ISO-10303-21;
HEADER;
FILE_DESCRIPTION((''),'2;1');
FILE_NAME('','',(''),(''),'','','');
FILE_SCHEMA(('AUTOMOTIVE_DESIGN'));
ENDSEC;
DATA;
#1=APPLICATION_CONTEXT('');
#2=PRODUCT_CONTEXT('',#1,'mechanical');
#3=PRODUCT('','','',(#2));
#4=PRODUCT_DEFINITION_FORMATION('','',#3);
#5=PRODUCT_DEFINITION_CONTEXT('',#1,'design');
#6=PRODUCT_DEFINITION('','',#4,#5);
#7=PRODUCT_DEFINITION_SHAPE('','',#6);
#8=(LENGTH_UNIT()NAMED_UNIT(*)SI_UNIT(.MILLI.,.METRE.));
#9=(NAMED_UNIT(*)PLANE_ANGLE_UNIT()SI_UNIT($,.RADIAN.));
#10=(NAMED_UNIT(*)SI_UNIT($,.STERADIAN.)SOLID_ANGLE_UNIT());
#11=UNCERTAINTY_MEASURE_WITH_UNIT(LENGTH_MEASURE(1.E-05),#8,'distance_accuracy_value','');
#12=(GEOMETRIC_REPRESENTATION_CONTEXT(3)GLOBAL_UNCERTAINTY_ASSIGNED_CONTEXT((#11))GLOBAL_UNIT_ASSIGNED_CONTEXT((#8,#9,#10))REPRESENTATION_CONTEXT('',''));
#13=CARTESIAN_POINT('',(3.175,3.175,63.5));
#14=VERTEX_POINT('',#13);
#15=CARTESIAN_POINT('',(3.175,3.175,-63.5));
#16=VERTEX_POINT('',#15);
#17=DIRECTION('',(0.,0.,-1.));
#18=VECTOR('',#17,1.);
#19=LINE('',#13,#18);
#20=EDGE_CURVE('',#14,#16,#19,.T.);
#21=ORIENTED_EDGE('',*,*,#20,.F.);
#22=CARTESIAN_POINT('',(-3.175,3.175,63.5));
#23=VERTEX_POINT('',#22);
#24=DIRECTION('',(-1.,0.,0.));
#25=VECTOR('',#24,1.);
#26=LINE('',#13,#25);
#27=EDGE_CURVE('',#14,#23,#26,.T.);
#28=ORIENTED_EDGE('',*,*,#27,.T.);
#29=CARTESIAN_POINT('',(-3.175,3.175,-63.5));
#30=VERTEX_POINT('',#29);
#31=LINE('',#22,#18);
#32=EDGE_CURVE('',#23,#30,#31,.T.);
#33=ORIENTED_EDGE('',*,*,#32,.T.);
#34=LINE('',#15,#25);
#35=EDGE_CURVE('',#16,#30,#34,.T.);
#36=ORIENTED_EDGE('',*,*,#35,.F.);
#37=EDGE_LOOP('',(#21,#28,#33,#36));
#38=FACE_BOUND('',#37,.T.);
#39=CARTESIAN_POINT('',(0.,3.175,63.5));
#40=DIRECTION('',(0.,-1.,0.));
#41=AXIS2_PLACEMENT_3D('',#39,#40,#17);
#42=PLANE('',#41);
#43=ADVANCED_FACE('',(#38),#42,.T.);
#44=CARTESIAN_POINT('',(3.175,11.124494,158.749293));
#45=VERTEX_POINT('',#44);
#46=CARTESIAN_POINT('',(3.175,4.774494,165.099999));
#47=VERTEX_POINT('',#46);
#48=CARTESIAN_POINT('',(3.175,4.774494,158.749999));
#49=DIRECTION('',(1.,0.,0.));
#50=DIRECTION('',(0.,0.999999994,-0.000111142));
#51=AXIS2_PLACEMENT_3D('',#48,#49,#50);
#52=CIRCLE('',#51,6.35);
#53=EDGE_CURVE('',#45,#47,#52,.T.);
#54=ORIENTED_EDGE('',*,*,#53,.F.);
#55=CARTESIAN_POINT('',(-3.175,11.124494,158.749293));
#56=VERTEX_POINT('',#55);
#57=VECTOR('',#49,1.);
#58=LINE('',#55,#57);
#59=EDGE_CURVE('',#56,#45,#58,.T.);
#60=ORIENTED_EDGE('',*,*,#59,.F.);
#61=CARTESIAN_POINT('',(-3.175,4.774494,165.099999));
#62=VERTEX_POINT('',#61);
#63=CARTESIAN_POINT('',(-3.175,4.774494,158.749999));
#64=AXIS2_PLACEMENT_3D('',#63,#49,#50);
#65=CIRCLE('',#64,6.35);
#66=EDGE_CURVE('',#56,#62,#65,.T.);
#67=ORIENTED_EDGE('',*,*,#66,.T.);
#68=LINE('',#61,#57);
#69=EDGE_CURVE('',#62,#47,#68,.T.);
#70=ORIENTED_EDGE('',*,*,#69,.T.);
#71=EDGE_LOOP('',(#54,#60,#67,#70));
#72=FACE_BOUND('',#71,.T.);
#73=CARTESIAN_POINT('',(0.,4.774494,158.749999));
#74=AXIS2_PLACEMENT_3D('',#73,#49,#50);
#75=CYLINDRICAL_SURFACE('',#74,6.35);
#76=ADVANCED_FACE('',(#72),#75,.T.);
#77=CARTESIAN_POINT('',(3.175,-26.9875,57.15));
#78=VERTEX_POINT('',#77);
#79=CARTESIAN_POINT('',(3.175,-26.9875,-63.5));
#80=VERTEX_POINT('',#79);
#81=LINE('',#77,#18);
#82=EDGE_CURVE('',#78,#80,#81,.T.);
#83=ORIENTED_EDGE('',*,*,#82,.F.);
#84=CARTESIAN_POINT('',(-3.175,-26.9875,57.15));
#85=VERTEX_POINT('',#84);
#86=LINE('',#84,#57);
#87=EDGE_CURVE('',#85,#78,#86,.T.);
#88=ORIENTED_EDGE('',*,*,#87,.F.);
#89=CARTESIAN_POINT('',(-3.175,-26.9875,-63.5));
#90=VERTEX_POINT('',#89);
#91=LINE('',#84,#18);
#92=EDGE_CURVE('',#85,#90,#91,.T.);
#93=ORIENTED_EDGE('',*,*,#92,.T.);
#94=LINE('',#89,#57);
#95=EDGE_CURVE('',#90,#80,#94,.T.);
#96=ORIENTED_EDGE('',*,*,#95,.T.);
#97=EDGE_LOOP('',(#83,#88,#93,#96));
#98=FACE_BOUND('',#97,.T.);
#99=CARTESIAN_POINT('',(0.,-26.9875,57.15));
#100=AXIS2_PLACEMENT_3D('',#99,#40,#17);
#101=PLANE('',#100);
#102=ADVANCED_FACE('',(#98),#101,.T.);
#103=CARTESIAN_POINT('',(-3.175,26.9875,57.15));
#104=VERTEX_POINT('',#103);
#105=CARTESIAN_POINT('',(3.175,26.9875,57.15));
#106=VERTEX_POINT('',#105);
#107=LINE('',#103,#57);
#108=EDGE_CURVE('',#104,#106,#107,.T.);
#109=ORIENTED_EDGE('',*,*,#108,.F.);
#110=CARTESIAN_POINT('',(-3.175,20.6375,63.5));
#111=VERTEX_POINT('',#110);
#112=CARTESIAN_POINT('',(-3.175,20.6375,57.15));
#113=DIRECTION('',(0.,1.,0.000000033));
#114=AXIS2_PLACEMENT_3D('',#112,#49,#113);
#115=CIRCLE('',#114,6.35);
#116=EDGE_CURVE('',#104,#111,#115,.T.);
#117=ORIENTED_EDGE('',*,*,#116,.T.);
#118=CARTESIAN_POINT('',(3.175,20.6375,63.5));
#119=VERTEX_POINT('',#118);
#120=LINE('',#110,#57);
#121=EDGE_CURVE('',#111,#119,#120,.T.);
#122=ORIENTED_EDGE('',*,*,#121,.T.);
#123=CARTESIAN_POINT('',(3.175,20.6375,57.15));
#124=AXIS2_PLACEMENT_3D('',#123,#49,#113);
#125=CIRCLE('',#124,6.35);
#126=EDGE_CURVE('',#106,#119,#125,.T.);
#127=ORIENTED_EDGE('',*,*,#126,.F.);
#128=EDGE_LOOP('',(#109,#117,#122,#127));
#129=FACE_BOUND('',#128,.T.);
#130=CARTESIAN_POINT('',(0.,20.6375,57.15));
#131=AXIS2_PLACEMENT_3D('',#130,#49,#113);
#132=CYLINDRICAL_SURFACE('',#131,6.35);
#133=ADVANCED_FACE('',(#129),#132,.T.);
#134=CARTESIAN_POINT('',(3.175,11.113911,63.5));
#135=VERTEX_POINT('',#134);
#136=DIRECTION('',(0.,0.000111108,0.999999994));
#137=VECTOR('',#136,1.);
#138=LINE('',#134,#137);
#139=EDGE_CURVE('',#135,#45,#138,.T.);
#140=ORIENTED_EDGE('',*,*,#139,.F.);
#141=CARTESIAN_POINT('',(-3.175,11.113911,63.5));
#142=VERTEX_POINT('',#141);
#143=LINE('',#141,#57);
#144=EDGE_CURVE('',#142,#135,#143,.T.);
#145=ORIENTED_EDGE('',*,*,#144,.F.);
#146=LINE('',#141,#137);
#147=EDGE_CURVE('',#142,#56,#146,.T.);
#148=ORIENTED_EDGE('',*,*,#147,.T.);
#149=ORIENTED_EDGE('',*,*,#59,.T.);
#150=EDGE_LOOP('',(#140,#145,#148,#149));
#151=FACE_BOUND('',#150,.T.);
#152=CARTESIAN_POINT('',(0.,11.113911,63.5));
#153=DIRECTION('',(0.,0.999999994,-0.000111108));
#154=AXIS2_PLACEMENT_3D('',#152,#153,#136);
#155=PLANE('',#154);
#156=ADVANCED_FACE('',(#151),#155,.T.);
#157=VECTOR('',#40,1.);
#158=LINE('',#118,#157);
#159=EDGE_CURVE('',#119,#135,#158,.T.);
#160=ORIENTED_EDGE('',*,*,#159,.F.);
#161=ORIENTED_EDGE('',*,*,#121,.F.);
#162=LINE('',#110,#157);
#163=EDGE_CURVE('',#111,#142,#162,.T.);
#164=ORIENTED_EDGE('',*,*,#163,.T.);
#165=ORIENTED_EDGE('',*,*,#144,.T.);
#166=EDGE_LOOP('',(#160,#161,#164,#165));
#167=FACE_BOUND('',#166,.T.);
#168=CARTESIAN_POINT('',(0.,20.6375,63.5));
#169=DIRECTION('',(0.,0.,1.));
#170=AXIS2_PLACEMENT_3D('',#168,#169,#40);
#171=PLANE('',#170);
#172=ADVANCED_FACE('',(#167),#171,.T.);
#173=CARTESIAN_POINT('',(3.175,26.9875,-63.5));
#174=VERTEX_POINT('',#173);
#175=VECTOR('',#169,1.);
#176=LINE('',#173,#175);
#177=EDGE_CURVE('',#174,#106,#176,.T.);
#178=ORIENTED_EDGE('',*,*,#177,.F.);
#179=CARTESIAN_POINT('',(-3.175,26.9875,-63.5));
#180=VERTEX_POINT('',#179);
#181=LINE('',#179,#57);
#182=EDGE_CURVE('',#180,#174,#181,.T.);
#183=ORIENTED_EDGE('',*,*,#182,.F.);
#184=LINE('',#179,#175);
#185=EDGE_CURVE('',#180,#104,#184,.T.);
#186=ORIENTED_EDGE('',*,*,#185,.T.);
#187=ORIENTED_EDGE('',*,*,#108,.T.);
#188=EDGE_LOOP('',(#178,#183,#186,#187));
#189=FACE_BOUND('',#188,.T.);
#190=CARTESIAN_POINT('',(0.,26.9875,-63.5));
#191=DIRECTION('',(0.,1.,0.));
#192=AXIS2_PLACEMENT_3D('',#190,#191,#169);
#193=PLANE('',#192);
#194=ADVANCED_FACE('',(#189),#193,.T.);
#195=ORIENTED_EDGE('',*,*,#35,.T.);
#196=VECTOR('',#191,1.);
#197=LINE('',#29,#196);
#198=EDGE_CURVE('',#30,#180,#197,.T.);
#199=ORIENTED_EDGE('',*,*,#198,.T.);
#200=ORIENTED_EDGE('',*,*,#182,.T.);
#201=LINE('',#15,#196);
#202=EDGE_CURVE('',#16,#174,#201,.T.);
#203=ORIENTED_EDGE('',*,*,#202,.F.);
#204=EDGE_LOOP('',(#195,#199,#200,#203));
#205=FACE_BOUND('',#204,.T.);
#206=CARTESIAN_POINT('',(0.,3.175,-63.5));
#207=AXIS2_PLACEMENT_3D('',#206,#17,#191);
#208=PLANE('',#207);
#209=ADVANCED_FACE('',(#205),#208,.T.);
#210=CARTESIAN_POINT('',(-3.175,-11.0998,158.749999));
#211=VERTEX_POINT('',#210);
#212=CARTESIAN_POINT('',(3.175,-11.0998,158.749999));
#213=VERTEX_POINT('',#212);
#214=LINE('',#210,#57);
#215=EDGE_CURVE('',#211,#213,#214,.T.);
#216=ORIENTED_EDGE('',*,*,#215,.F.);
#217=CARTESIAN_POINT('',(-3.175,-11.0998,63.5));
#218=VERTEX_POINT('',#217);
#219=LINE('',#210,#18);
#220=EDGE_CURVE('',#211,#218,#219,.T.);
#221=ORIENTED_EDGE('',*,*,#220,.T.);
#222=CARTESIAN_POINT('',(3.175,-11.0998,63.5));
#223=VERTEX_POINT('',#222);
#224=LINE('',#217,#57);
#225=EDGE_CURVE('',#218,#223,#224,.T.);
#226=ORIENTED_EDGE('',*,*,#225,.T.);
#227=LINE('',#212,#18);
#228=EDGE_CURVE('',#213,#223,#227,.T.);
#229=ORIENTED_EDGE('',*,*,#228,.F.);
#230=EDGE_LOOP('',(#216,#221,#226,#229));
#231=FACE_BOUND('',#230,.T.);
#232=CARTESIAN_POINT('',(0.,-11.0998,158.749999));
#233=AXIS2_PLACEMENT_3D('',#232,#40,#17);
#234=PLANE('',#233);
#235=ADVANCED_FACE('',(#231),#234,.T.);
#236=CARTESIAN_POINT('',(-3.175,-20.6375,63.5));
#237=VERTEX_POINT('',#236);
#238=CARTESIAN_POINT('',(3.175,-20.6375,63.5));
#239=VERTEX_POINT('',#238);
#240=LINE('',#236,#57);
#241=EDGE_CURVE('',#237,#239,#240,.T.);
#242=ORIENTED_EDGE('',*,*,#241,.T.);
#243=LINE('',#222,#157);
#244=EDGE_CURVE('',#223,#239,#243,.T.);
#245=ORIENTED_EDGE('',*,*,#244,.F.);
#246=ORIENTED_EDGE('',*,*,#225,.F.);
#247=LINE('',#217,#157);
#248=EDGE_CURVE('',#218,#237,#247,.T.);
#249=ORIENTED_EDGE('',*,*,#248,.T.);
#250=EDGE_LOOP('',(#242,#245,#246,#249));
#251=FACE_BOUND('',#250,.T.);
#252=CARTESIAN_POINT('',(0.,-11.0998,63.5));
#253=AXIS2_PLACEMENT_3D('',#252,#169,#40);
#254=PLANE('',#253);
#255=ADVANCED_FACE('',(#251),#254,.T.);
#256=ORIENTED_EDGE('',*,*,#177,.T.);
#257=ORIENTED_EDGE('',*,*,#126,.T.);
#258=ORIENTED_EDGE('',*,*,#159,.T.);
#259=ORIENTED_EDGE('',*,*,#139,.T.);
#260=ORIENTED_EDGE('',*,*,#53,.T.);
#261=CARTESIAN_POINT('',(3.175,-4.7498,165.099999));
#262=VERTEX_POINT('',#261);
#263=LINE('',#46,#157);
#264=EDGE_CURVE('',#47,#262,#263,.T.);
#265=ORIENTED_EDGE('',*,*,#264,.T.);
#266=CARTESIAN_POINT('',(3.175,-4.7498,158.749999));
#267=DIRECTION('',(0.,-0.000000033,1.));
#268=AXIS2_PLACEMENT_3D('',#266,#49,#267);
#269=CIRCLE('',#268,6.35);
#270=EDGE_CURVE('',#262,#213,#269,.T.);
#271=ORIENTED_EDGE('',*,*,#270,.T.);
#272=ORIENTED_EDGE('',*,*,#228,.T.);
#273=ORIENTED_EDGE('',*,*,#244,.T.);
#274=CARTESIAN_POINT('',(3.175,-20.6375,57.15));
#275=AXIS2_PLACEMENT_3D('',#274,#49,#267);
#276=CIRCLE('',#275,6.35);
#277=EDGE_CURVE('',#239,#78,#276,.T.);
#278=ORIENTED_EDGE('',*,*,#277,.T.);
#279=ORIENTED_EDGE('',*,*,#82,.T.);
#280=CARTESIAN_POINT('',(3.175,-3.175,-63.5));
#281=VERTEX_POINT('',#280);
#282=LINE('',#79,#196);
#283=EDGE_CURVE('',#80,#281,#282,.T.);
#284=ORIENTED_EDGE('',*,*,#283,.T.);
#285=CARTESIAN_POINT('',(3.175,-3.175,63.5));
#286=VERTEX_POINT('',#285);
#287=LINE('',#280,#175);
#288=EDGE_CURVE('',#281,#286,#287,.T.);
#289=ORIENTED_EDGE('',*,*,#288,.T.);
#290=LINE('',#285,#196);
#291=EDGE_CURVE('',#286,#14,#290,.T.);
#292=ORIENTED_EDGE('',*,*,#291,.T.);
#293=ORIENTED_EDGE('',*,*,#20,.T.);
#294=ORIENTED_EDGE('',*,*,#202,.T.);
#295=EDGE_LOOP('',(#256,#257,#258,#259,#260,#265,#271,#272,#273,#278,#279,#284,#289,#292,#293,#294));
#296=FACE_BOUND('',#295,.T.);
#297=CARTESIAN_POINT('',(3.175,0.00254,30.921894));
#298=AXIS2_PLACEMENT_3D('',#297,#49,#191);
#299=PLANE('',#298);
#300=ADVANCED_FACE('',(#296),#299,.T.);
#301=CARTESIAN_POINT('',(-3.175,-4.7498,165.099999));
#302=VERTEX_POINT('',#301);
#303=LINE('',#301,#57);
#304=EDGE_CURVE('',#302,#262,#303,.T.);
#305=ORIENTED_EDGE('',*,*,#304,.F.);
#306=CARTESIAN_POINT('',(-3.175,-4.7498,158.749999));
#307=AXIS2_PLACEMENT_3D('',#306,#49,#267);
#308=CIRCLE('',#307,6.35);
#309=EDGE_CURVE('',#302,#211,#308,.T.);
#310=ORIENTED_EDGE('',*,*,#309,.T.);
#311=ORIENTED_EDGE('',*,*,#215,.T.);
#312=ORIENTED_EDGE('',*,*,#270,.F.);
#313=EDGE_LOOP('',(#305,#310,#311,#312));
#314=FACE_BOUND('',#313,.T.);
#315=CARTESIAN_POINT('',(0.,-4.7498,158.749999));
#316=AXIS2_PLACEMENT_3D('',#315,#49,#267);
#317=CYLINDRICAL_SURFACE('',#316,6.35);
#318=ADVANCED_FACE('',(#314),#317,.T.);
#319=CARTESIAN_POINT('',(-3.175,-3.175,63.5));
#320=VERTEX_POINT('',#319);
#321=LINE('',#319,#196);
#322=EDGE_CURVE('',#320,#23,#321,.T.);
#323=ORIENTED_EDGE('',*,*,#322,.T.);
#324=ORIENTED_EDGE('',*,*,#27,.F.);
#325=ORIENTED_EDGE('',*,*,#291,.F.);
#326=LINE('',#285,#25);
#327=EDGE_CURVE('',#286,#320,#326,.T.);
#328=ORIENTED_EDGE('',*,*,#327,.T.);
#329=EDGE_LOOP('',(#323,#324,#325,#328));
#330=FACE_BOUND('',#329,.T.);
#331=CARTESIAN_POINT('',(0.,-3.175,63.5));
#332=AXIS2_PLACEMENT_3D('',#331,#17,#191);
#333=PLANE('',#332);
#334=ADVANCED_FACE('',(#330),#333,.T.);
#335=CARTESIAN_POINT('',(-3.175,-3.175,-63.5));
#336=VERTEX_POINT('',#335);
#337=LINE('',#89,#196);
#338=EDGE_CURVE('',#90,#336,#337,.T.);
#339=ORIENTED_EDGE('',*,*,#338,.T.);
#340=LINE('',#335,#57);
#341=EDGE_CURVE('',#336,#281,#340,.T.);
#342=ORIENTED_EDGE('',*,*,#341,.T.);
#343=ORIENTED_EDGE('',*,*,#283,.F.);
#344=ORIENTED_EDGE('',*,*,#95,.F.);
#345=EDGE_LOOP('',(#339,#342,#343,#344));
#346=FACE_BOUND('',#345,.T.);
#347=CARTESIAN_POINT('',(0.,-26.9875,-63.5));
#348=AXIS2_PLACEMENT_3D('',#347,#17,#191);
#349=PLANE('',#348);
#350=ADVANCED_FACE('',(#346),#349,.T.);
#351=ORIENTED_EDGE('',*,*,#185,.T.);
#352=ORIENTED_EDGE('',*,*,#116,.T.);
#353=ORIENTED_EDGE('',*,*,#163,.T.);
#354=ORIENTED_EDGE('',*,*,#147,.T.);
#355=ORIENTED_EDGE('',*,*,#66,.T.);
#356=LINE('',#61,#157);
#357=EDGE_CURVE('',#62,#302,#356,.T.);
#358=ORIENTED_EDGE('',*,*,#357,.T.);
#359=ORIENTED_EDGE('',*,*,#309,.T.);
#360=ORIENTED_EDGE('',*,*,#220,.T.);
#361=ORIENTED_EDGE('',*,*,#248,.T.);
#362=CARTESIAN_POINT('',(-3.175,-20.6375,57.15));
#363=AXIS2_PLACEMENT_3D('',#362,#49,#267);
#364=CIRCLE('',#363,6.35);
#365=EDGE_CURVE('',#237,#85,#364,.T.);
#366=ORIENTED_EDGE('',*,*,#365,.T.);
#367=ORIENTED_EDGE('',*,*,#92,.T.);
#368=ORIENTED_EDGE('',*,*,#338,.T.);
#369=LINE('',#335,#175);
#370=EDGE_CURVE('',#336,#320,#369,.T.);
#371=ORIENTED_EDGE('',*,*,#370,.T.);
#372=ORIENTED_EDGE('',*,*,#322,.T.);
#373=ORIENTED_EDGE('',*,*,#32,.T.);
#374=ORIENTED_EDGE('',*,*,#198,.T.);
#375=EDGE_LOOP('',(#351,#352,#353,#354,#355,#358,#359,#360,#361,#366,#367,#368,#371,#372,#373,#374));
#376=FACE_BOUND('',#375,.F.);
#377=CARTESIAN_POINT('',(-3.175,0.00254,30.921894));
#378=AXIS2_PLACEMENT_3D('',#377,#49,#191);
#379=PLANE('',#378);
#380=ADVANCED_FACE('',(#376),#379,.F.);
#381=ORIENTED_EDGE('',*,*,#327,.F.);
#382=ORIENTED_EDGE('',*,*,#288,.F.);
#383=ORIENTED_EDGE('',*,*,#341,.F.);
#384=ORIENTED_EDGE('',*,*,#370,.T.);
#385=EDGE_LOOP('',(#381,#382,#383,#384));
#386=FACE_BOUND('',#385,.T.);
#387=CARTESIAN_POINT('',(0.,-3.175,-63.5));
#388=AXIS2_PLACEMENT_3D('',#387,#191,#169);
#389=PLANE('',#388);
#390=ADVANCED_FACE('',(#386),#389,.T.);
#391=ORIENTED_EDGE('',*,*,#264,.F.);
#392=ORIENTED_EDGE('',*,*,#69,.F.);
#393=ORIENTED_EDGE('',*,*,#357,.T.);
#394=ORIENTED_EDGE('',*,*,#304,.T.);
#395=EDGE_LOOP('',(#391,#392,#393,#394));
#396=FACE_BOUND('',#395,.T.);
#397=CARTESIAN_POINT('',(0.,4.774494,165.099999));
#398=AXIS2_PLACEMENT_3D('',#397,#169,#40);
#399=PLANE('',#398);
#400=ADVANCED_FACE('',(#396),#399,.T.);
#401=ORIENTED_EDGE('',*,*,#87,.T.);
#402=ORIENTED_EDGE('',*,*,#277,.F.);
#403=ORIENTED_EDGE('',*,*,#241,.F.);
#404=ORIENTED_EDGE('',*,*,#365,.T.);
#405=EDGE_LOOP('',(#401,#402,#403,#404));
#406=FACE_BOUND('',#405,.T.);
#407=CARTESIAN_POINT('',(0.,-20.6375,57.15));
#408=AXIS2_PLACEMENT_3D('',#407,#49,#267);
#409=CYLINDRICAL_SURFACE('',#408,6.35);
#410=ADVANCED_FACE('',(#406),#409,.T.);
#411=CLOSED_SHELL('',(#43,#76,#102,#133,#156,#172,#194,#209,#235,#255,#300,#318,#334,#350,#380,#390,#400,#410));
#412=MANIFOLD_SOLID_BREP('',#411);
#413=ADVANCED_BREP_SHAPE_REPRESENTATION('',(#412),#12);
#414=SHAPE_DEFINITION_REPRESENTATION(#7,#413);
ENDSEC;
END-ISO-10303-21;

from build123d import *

# Parameters (mm, degrees)
F1_DEPTH = 3.175


with BuildPart() as f1:
    # F0 (on Right) → F1 (new body, symmetric)
    with BuildSketch(Plane.YZ):
        with BuildLine():
            Line((3.175, -63.5), (26.9875, -63.5))
            Line((26.9875, -63.5), (26.9875, 57.15))
            ThreePointArc((26.9875, 57.15), (25.127628, 61.640128), (20.6375, 63.5))
            Line((20.6375, 63.5), (17.464617, 63.5))
            Line((17.464617, 63.5), (11.113911, 63.5))
            Line((11.113911, 63.5), (11.124494, 158.749293))
            ThreePointArc((11.124494, 158.749293), (9.264872, 163.239877), (4.774494, 165.099999))
            Line((4.774494, 165.099999), (-4.7498, 165.099999))
            ThreePointArc((-4.7498, 165.099999), (-9.239928, 163.240127), (-11.0998, 158.749999))
            Line((-11.0998, 158.749999), (-11.0998, 63.5))
            Line((-11.0998, 63.5), (-17.4498, 63.5))
            Line((-17.4498, 63.5), (-20.6375, 63.5))
            ThreePointArc((-20.6375, 63.5), (-25.127628, 61.640128), (-26.9875, 57.15))
            Line((-26.9875, 57.15), (-26.9875, -63.5))
            Line((-26.9875, -63.5), (-3.175, -63.5))
            Line((-3.175, -63.5), (-3.175, 63.5))
            Line((-3.175, 63.5), (3.175, 63.5))
            Line((3.175, 63.5), (3.175, -63.5))
        make_face()
    extrude(amount=F1_DEPTH, both=True)


solid = f1.part
